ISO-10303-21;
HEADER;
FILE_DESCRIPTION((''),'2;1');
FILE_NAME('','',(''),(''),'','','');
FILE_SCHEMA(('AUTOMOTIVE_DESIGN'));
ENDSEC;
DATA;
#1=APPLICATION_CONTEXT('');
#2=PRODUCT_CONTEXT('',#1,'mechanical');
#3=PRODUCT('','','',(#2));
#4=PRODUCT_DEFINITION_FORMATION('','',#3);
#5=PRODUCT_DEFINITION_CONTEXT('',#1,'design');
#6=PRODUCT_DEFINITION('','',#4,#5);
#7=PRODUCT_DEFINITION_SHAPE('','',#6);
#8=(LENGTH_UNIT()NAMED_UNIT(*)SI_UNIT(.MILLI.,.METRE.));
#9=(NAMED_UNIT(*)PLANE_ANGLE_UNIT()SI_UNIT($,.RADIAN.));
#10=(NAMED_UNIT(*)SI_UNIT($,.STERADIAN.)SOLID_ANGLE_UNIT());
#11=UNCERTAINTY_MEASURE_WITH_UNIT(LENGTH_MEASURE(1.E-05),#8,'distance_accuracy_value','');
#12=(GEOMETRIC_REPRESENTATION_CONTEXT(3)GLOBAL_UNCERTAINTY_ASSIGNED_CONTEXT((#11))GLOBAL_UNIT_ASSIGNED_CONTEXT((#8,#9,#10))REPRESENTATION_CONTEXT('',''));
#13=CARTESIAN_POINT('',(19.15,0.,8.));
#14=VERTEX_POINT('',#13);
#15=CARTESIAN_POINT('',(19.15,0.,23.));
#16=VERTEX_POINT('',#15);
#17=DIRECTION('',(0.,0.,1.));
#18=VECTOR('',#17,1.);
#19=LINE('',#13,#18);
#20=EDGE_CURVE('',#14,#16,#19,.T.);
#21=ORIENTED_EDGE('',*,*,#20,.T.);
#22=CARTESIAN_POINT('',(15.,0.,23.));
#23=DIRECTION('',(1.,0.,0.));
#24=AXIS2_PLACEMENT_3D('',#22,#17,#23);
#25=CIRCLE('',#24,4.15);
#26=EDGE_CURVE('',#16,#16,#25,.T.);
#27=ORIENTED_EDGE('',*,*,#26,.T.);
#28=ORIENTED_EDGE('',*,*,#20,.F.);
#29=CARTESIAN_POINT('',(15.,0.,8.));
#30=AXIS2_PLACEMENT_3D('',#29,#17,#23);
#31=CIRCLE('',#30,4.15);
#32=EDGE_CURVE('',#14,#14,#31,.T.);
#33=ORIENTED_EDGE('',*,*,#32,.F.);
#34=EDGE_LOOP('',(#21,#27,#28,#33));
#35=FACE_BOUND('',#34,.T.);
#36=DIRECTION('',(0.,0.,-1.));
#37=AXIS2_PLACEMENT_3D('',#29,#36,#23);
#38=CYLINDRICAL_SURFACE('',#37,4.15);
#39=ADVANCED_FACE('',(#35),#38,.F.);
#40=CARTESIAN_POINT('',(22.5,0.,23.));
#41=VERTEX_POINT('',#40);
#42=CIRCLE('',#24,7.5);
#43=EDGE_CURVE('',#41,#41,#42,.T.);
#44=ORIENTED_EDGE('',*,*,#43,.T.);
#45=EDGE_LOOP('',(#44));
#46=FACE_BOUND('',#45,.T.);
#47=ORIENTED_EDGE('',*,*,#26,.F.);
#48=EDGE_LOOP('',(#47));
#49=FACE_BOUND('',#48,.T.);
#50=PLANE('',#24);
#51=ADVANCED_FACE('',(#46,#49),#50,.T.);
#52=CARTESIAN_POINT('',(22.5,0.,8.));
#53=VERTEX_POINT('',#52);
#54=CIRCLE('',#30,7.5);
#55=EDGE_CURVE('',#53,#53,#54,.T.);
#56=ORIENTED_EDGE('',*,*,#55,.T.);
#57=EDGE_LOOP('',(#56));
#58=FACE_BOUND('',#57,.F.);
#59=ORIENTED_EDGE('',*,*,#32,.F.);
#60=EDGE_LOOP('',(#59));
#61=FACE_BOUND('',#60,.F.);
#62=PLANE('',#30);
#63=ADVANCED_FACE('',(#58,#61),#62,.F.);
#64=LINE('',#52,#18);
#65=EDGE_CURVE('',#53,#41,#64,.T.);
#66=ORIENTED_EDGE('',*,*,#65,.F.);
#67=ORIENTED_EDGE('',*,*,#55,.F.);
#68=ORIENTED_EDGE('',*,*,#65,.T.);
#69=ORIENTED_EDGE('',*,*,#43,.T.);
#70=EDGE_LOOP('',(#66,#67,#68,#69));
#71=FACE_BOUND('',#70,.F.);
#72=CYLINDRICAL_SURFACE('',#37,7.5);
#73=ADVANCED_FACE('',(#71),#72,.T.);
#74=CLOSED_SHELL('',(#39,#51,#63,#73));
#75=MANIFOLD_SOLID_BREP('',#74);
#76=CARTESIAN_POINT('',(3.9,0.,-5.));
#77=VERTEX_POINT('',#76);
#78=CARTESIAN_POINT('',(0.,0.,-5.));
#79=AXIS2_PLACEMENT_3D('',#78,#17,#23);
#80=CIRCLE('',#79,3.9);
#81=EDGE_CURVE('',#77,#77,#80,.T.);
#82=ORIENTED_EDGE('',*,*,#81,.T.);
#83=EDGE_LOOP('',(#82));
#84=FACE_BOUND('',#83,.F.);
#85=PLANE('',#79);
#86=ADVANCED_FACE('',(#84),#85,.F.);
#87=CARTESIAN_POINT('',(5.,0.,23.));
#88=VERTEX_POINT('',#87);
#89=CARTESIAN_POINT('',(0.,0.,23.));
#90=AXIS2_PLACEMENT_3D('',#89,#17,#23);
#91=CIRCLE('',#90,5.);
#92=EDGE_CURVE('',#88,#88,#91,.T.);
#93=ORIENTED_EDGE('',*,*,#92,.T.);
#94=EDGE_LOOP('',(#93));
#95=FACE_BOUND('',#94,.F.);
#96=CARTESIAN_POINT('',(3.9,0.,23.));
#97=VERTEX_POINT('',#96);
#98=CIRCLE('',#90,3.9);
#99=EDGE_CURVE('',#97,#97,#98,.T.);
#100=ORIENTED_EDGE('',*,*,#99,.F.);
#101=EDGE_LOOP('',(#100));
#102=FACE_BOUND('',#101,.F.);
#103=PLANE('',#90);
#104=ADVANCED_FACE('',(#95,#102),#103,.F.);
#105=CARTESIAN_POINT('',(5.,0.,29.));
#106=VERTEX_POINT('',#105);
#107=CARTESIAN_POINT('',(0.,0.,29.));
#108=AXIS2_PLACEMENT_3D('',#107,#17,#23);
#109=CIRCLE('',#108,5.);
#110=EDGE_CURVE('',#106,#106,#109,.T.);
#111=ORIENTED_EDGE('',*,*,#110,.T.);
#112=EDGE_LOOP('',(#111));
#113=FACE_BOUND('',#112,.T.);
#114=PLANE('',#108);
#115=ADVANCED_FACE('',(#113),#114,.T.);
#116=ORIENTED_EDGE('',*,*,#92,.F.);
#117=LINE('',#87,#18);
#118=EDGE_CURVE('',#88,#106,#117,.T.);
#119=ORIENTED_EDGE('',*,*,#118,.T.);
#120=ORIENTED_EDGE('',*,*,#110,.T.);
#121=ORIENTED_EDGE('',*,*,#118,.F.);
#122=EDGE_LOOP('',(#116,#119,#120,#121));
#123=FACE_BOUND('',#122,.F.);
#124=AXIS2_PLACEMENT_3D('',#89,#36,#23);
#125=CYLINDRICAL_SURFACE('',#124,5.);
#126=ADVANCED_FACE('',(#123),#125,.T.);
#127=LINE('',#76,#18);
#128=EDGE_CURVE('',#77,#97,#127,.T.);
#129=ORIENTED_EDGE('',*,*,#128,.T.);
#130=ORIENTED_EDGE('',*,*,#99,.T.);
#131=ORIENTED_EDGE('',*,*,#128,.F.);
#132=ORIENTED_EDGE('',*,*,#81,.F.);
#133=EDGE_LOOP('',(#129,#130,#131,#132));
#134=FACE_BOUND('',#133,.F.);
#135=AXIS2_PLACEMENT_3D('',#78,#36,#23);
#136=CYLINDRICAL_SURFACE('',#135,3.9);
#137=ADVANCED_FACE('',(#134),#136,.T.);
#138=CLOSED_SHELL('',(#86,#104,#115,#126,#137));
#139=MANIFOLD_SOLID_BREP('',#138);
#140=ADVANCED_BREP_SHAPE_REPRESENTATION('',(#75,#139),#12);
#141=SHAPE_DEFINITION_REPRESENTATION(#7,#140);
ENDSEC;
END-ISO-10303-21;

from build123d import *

# Parameters (mm, degrees)
TUBE_R         = 7.5
TUBE_R_2       = 4.15
TUBE_DEPTH     = 15
TUBE001_R      = 5
TUBE001_R_2    = 3.9
TUBE001_DEPTH  = 6
CYLINDER_R     = 3.9
CYLINDER_DEPTH = 34


with BuildPart() as tube:
    # Tube → Tube (new body)
    with BuildSketch(Plane(origin=(15, 0, 8), x_dir=(1, 0, 0), z_dir=(0, 0, 1))):
        Circle(TUBE_R)
        Circle(TUBE_R_2, mode=Mode.SUBTRACT)
    extrude(amount=TUBE_DEPTH)


with BuildPart() as tube001:
    # Tube001 → Tube001 (new body)
    with BuildSketch(Plane.XY.offset(23)):
        Circle(TUBE001_R)
        Circle(TUBE001_R_2, mode=Mode.SUBTRACT)
    extrude(amount=TUBE001_DEPTH)


with BuildPart() as fusion:
    # Cylinder → Cylinder (new body)
    with BuildSketch(Plane.XY.offset(-5)):
        Circle(CYLINDER_R)
    extrude(amount=CYLINDER_DEPTH)

    # Fusion: union Tube001
    add(tube001.part)


solid = Compound([tube.part, fusion.part])
